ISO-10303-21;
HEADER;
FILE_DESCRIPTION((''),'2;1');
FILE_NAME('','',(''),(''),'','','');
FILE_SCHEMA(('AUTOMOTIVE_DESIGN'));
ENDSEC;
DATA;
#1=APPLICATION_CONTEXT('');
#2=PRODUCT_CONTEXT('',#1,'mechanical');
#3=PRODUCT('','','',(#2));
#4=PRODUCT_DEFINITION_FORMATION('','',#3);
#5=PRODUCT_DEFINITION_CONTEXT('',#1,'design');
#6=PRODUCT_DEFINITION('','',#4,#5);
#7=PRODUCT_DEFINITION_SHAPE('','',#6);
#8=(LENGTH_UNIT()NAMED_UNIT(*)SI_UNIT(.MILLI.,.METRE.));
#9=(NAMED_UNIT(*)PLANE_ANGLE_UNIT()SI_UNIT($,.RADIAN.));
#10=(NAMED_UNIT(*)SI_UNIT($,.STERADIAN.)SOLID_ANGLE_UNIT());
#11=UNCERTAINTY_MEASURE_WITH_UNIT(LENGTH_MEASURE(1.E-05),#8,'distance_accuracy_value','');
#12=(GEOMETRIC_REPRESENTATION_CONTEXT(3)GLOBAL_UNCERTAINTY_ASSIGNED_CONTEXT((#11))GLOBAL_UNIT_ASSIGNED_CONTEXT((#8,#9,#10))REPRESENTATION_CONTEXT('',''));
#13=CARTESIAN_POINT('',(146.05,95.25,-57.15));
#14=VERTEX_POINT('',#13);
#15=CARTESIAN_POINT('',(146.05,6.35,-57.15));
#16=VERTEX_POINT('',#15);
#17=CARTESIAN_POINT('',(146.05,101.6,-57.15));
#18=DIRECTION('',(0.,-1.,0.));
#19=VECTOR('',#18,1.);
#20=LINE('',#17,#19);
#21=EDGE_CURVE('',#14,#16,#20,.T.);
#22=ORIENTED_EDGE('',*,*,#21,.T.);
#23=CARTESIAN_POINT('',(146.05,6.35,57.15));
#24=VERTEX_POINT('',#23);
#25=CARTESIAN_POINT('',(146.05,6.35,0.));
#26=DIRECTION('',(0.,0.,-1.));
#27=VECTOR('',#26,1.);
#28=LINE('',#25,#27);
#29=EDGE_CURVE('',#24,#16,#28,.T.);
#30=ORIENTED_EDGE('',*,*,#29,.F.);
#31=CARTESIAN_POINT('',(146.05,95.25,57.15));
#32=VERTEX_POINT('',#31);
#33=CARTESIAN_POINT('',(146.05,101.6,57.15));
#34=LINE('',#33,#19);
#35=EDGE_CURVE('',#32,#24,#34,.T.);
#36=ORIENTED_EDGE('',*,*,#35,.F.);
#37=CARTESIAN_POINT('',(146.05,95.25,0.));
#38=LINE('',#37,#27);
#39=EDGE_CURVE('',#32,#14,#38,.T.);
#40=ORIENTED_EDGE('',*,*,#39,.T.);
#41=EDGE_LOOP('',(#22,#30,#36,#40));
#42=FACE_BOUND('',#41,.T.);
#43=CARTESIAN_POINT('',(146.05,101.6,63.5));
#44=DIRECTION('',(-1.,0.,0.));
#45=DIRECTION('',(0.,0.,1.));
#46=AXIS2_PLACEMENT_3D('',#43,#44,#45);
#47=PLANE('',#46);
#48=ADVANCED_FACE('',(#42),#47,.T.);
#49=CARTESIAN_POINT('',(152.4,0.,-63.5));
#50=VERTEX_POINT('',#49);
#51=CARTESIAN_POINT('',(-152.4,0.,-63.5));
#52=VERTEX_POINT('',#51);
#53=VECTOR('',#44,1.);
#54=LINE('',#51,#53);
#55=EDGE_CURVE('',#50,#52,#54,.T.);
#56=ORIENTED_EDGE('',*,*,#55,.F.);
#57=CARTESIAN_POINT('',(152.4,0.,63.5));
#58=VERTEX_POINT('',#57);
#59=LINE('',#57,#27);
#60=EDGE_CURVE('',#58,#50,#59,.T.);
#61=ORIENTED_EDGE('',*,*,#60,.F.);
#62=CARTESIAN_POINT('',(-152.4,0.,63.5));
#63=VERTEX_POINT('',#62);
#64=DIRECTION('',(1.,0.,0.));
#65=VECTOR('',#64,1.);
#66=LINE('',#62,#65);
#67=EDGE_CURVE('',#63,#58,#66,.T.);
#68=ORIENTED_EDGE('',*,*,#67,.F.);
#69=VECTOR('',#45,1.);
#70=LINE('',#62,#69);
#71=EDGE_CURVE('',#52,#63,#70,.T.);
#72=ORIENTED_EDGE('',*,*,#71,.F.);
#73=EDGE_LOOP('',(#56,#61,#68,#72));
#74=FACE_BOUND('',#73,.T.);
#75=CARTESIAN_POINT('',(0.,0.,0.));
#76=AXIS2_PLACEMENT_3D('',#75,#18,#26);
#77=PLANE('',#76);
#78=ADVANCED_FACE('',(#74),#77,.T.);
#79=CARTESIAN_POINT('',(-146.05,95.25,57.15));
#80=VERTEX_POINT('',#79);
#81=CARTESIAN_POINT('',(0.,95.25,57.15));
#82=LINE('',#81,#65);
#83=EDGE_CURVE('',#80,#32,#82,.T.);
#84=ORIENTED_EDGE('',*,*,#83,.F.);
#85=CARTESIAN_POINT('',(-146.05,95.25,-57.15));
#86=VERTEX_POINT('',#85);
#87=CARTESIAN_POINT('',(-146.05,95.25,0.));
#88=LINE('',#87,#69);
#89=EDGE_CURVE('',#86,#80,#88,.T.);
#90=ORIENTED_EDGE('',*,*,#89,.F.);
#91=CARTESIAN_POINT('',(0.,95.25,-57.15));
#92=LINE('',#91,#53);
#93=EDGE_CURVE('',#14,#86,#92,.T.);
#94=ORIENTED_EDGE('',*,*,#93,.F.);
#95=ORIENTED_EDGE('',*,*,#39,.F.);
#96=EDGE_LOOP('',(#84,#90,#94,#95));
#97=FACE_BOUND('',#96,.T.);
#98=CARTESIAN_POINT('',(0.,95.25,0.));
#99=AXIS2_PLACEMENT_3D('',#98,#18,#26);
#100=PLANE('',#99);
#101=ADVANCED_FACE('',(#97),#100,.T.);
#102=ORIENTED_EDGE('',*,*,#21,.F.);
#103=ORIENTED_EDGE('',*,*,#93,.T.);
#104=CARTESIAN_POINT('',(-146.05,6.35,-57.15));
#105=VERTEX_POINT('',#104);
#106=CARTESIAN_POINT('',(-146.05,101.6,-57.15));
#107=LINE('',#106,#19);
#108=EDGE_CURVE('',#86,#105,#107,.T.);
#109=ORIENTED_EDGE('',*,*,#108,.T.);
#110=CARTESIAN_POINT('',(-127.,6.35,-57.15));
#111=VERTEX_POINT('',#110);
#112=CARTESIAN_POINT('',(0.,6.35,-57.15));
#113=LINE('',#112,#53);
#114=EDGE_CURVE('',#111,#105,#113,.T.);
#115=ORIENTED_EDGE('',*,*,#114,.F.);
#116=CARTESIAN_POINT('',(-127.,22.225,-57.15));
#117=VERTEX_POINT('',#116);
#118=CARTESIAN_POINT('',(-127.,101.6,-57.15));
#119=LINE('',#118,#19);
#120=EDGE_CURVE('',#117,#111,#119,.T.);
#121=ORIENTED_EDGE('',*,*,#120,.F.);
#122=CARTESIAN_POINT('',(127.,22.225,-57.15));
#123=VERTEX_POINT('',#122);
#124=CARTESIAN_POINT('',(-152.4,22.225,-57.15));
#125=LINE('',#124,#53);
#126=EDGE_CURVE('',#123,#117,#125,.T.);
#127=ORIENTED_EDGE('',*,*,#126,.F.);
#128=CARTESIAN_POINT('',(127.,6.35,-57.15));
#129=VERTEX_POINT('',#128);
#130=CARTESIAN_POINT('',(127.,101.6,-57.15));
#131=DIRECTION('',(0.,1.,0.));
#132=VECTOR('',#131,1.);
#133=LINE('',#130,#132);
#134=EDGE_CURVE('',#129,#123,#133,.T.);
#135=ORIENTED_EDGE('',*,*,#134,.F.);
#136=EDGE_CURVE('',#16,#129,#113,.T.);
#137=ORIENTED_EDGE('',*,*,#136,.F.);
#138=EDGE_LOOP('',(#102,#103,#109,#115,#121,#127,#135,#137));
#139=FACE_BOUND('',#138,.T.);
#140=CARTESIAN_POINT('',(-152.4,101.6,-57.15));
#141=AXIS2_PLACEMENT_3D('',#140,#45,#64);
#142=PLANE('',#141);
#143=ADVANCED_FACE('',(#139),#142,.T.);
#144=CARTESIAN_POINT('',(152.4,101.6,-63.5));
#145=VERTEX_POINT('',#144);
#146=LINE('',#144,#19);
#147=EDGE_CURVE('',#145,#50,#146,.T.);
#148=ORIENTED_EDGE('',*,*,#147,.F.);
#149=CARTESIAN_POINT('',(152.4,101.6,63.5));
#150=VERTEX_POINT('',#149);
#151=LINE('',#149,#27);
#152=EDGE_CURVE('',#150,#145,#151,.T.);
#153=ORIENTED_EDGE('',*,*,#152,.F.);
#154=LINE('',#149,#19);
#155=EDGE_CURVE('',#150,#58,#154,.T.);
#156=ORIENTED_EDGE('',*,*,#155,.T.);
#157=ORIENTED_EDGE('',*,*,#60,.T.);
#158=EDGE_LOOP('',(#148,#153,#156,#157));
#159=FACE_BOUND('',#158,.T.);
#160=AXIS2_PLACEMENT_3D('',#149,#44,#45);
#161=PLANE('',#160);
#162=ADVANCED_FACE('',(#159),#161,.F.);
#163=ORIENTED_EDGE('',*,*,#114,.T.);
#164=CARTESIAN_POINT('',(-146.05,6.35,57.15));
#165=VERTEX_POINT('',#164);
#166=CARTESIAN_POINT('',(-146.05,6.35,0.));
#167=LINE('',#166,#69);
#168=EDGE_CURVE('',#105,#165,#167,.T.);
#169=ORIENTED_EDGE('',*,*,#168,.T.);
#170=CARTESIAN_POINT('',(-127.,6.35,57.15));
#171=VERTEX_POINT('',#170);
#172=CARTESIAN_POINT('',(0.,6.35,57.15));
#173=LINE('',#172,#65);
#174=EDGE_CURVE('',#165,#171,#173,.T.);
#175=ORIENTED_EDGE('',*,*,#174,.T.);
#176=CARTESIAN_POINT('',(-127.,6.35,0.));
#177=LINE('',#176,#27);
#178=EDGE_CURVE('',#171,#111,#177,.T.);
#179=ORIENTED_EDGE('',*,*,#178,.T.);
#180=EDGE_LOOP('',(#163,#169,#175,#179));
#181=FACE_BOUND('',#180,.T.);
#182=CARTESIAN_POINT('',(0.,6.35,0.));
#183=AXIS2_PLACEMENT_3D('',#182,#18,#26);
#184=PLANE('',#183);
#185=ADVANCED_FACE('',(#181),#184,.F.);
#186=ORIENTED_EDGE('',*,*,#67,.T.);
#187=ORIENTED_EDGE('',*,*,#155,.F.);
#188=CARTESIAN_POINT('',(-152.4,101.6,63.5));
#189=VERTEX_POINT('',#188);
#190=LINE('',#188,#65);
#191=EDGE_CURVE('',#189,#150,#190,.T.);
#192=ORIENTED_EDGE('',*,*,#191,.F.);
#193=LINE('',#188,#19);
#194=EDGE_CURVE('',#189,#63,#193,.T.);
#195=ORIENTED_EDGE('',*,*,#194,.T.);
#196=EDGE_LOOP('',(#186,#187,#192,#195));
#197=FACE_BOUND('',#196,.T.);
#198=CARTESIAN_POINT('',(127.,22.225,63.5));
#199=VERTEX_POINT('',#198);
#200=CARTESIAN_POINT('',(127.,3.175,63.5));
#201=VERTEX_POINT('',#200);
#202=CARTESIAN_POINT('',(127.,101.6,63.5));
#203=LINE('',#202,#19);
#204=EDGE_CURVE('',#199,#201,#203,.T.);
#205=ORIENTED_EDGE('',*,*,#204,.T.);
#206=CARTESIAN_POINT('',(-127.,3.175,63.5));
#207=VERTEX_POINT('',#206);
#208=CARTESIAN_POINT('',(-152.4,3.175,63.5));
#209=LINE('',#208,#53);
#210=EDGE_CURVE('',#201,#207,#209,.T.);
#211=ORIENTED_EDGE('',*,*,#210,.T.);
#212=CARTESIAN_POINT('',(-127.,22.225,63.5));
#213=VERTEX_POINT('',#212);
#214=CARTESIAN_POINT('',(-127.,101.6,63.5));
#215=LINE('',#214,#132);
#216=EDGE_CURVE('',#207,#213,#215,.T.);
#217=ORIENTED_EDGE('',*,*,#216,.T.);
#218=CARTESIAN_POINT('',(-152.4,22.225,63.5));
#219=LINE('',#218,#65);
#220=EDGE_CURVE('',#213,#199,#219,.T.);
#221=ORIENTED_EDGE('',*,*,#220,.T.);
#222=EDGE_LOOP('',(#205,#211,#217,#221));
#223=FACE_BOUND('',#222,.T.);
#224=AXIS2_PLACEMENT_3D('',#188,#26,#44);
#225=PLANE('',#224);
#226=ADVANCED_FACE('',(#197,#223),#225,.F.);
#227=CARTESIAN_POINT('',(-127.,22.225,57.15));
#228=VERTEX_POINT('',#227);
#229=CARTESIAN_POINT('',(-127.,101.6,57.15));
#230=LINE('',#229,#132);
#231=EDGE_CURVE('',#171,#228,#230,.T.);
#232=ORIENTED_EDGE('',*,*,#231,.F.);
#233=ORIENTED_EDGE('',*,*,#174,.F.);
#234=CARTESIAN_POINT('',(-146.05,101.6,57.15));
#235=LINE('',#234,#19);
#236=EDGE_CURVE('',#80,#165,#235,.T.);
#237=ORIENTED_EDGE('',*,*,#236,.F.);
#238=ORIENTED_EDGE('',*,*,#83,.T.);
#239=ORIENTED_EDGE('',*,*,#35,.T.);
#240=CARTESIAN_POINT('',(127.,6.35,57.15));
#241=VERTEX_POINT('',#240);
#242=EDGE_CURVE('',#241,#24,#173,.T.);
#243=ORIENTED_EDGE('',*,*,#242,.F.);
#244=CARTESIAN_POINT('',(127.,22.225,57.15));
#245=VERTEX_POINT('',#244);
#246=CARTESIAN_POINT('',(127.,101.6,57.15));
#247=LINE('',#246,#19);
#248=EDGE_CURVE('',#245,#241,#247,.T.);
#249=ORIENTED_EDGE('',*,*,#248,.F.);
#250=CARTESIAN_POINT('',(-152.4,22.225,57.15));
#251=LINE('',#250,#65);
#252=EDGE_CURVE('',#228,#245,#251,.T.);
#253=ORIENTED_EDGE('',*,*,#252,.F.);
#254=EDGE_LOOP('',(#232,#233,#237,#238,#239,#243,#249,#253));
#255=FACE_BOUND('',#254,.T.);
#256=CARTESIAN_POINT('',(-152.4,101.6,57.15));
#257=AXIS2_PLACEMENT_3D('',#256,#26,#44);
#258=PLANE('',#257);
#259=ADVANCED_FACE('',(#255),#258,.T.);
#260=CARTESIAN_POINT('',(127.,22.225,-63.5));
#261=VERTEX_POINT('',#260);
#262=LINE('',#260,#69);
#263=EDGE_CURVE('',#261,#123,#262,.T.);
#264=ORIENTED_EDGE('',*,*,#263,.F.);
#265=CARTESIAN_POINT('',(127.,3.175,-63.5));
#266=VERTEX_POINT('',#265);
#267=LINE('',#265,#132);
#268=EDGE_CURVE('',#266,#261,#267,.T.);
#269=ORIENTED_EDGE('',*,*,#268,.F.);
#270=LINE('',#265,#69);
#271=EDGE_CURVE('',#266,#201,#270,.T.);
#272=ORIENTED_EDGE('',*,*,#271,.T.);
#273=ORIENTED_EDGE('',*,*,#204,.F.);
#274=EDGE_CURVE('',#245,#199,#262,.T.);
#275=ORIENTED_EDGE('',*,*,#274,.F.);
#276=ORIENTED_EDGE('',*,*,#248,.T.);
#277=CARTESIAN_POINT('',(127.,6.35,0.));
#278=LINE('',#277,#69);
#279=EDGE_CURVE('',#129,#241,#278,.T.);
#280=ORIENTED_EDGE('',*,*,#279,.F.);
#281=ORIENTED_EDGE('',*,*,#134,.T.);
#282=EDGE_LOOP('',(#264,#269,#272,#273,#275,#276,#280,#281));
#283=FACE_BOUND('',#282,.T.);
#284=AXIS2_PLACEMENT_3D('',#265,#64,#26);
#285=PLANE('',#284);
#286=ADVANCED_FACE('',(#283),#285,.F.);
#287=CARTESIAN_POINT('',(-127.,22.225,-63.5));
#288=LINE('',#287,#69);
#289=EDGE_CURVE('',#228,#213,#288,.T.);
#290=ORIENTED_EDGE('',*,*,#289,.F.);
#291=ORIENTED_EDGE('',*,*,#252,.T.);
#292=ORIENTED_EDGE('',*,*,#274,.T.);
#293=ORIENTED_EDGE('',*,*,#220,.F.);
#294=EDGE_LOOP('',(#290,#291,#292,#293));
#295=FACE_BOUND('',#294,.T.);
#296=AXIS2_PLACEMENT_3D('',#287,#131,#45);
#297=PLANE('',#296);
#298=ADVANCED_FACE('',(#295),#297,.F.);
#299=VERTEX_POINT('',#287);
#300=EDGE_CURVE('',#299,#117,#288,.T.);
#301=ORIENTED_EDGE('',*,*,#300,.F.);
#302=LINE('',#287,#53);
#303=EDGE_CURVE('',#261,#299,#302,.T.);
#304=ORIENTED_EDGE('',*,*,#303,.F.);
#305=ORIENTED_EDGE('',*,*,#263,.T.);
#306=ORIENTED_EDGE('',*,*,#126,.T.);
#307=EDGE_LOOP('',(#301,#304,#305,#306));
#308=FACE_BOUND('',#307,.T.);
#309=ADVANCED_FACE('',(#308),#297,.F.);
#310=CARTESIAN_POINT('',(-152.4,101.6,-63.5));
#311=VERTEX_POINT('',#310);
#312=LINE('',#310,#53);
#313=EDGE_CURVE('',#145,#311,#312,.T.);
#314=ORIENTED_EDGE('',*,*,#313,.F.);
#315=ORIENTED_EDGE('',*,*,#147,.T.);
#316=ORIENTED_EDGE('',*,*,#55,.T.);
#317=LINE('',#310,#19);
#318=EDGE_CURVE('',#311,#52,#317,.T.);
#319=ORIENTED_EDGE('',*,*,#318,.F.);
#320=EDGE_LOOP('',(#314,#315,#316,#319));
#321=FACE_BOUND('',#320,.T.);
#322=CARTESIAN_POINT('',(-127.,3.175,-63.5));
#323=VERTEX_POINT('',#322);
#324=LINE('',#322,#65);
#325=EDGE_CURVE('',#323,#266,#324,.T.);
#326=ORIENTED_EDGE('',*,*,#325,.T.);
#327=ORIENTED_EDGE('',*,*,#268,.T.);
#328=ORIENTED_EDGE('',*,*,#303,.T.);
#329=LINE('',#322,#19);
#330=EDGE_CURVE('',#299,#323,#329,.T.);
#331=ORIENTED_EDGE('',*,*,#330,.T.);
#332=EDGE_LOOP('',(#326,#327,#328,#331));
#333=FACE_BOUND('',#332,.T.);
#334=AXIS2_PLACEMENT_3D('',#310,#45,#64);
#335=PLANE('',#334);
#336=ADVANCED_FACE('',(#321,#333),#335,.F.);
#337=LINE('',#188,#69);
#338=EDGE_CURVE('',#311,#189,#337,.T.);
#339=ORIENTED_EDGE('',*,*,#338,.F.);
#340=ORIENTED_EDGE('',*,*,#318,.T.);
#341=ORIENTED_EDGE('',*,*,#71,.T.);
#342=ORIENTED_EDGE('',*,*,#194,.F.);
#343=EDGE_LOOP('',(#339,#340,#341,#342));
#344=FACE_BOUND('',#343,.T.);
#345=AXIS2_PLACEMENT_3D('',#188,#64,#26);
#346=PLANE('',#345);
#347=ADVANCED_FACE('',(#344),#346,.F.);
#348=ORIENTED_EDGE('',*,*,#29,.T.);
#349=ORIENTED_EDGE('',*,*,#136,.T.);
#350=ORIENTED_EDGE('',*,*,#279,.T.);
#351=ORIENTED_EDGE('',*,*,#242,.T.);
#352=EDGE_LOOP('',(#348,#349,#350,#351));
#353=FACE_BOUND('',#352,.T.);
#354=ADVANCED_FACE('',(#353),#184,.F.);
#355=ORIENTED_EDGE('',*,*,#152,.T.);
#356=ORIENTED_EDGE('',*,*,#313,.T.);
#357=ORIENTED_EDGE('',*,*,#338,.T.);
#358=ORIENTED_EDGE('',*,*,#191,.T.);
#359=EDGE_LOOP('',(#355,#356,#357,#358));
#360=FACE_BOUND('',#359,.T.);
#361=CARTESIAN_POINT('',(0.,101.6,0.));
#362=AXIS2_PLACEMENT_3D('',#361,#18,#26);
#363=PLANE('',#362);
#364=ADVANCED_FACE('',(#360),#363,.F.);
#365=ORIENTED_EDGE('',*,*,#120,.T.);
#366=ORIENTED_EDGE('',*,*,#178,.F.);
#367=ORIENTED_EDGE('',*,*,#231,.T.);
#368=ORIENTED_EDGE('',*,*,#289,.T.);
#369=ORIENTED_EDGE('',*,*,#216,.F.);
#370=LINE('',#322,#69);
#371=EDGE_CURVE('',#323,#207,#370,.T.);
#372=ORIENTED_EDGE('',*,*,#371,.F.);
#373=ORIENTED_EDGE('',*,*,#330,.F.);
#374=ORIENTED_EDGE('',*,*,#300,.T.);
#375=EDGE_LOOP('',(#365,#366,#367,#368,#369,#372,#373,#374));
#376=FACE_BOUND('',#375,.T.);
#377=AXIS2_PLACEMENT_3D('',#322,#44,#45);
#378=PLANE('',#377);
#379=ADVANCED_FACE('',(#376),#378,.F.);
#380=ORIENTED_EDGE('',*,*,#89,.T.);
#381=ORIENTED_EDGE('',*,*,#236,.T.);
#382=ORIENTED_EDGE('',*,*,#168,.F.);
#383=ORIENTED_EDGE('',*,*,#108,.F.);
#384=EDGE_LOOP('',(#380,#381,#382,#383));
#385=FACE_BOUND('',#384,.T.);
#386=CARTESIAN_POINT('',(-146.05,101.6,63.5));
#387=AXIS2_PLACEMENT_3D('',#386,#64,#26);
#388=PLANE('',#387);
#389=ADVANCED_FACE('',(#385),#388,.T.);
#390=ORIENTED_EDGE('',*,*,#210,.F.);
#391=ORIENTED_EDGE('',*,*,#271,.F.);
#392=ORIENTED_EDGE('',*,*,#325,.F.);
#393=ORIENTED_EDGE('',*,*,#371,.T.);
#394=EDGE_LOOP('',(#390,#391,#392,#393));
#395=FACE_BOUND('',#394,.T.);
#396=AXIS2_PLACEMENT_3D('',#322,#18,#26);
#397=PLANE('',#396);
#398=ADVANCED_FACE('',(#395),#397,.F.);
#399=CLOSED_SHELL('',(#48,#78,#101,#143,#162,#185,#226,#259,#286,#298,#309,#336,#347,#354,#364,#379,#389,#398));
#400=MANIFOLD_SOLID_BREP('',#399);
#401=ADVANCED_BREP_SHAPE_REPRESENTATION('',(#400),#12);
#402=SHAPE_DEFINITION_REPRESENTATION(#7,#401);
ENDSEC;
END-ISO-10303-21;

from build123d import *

# Parameters (mm, degrees)
SKETCH1_W               = 304.8
SKETCH1_H               = 127
BOSS_EXTRUDE1_DEPTH     = 101.6
SHELL1_T                = 6.35
CUT_EXTRUDE1_DEPTH      = 223.88409544
CUT_EXTRUDE1_DEPTH_BACK = 223.88409544
SKETCH2_W               = 254
SKETCH2_H               = 19.05


with BuildPart() as part:
    # Sketch1 → Boss-Extrude1 (new body)
    with BuildSketch(Plane(origin=(0, 0, 0), x_dir=(1, 0, 0), z_dir=(0, 1, 0))):
        Rectangle(SKETCH1_W, SKETCH1_H)
    extrude(amount=BOSS_EXTRUDE1_DEPTH)

    # Shell1 (no face opened: a closed hollow body)
    add(offset(amount=-SHELL1_T, mode=Mode.PRIVATE), mode=Mode.SUBTRACT)

    # Sketch2 → Cut-Extrude1 (cut, two sides: drawn at the far end of the back side and taken through both)
    with BuildSketch(Plane.XY.offset(63.5).offset(-CUT_EXTRUDE1_DEPTH_BACK)):
        with Locations((0, 12.7)):
            Rectangle(SKETCH2_W, SKETCH2_H)
    extrude(amount=CUT_EXTRUDE1_DEPTH + CUT_EXTRUDE1_DEPTH_BACK, mode=Mode.SUBTRACT)


solid = part.part
